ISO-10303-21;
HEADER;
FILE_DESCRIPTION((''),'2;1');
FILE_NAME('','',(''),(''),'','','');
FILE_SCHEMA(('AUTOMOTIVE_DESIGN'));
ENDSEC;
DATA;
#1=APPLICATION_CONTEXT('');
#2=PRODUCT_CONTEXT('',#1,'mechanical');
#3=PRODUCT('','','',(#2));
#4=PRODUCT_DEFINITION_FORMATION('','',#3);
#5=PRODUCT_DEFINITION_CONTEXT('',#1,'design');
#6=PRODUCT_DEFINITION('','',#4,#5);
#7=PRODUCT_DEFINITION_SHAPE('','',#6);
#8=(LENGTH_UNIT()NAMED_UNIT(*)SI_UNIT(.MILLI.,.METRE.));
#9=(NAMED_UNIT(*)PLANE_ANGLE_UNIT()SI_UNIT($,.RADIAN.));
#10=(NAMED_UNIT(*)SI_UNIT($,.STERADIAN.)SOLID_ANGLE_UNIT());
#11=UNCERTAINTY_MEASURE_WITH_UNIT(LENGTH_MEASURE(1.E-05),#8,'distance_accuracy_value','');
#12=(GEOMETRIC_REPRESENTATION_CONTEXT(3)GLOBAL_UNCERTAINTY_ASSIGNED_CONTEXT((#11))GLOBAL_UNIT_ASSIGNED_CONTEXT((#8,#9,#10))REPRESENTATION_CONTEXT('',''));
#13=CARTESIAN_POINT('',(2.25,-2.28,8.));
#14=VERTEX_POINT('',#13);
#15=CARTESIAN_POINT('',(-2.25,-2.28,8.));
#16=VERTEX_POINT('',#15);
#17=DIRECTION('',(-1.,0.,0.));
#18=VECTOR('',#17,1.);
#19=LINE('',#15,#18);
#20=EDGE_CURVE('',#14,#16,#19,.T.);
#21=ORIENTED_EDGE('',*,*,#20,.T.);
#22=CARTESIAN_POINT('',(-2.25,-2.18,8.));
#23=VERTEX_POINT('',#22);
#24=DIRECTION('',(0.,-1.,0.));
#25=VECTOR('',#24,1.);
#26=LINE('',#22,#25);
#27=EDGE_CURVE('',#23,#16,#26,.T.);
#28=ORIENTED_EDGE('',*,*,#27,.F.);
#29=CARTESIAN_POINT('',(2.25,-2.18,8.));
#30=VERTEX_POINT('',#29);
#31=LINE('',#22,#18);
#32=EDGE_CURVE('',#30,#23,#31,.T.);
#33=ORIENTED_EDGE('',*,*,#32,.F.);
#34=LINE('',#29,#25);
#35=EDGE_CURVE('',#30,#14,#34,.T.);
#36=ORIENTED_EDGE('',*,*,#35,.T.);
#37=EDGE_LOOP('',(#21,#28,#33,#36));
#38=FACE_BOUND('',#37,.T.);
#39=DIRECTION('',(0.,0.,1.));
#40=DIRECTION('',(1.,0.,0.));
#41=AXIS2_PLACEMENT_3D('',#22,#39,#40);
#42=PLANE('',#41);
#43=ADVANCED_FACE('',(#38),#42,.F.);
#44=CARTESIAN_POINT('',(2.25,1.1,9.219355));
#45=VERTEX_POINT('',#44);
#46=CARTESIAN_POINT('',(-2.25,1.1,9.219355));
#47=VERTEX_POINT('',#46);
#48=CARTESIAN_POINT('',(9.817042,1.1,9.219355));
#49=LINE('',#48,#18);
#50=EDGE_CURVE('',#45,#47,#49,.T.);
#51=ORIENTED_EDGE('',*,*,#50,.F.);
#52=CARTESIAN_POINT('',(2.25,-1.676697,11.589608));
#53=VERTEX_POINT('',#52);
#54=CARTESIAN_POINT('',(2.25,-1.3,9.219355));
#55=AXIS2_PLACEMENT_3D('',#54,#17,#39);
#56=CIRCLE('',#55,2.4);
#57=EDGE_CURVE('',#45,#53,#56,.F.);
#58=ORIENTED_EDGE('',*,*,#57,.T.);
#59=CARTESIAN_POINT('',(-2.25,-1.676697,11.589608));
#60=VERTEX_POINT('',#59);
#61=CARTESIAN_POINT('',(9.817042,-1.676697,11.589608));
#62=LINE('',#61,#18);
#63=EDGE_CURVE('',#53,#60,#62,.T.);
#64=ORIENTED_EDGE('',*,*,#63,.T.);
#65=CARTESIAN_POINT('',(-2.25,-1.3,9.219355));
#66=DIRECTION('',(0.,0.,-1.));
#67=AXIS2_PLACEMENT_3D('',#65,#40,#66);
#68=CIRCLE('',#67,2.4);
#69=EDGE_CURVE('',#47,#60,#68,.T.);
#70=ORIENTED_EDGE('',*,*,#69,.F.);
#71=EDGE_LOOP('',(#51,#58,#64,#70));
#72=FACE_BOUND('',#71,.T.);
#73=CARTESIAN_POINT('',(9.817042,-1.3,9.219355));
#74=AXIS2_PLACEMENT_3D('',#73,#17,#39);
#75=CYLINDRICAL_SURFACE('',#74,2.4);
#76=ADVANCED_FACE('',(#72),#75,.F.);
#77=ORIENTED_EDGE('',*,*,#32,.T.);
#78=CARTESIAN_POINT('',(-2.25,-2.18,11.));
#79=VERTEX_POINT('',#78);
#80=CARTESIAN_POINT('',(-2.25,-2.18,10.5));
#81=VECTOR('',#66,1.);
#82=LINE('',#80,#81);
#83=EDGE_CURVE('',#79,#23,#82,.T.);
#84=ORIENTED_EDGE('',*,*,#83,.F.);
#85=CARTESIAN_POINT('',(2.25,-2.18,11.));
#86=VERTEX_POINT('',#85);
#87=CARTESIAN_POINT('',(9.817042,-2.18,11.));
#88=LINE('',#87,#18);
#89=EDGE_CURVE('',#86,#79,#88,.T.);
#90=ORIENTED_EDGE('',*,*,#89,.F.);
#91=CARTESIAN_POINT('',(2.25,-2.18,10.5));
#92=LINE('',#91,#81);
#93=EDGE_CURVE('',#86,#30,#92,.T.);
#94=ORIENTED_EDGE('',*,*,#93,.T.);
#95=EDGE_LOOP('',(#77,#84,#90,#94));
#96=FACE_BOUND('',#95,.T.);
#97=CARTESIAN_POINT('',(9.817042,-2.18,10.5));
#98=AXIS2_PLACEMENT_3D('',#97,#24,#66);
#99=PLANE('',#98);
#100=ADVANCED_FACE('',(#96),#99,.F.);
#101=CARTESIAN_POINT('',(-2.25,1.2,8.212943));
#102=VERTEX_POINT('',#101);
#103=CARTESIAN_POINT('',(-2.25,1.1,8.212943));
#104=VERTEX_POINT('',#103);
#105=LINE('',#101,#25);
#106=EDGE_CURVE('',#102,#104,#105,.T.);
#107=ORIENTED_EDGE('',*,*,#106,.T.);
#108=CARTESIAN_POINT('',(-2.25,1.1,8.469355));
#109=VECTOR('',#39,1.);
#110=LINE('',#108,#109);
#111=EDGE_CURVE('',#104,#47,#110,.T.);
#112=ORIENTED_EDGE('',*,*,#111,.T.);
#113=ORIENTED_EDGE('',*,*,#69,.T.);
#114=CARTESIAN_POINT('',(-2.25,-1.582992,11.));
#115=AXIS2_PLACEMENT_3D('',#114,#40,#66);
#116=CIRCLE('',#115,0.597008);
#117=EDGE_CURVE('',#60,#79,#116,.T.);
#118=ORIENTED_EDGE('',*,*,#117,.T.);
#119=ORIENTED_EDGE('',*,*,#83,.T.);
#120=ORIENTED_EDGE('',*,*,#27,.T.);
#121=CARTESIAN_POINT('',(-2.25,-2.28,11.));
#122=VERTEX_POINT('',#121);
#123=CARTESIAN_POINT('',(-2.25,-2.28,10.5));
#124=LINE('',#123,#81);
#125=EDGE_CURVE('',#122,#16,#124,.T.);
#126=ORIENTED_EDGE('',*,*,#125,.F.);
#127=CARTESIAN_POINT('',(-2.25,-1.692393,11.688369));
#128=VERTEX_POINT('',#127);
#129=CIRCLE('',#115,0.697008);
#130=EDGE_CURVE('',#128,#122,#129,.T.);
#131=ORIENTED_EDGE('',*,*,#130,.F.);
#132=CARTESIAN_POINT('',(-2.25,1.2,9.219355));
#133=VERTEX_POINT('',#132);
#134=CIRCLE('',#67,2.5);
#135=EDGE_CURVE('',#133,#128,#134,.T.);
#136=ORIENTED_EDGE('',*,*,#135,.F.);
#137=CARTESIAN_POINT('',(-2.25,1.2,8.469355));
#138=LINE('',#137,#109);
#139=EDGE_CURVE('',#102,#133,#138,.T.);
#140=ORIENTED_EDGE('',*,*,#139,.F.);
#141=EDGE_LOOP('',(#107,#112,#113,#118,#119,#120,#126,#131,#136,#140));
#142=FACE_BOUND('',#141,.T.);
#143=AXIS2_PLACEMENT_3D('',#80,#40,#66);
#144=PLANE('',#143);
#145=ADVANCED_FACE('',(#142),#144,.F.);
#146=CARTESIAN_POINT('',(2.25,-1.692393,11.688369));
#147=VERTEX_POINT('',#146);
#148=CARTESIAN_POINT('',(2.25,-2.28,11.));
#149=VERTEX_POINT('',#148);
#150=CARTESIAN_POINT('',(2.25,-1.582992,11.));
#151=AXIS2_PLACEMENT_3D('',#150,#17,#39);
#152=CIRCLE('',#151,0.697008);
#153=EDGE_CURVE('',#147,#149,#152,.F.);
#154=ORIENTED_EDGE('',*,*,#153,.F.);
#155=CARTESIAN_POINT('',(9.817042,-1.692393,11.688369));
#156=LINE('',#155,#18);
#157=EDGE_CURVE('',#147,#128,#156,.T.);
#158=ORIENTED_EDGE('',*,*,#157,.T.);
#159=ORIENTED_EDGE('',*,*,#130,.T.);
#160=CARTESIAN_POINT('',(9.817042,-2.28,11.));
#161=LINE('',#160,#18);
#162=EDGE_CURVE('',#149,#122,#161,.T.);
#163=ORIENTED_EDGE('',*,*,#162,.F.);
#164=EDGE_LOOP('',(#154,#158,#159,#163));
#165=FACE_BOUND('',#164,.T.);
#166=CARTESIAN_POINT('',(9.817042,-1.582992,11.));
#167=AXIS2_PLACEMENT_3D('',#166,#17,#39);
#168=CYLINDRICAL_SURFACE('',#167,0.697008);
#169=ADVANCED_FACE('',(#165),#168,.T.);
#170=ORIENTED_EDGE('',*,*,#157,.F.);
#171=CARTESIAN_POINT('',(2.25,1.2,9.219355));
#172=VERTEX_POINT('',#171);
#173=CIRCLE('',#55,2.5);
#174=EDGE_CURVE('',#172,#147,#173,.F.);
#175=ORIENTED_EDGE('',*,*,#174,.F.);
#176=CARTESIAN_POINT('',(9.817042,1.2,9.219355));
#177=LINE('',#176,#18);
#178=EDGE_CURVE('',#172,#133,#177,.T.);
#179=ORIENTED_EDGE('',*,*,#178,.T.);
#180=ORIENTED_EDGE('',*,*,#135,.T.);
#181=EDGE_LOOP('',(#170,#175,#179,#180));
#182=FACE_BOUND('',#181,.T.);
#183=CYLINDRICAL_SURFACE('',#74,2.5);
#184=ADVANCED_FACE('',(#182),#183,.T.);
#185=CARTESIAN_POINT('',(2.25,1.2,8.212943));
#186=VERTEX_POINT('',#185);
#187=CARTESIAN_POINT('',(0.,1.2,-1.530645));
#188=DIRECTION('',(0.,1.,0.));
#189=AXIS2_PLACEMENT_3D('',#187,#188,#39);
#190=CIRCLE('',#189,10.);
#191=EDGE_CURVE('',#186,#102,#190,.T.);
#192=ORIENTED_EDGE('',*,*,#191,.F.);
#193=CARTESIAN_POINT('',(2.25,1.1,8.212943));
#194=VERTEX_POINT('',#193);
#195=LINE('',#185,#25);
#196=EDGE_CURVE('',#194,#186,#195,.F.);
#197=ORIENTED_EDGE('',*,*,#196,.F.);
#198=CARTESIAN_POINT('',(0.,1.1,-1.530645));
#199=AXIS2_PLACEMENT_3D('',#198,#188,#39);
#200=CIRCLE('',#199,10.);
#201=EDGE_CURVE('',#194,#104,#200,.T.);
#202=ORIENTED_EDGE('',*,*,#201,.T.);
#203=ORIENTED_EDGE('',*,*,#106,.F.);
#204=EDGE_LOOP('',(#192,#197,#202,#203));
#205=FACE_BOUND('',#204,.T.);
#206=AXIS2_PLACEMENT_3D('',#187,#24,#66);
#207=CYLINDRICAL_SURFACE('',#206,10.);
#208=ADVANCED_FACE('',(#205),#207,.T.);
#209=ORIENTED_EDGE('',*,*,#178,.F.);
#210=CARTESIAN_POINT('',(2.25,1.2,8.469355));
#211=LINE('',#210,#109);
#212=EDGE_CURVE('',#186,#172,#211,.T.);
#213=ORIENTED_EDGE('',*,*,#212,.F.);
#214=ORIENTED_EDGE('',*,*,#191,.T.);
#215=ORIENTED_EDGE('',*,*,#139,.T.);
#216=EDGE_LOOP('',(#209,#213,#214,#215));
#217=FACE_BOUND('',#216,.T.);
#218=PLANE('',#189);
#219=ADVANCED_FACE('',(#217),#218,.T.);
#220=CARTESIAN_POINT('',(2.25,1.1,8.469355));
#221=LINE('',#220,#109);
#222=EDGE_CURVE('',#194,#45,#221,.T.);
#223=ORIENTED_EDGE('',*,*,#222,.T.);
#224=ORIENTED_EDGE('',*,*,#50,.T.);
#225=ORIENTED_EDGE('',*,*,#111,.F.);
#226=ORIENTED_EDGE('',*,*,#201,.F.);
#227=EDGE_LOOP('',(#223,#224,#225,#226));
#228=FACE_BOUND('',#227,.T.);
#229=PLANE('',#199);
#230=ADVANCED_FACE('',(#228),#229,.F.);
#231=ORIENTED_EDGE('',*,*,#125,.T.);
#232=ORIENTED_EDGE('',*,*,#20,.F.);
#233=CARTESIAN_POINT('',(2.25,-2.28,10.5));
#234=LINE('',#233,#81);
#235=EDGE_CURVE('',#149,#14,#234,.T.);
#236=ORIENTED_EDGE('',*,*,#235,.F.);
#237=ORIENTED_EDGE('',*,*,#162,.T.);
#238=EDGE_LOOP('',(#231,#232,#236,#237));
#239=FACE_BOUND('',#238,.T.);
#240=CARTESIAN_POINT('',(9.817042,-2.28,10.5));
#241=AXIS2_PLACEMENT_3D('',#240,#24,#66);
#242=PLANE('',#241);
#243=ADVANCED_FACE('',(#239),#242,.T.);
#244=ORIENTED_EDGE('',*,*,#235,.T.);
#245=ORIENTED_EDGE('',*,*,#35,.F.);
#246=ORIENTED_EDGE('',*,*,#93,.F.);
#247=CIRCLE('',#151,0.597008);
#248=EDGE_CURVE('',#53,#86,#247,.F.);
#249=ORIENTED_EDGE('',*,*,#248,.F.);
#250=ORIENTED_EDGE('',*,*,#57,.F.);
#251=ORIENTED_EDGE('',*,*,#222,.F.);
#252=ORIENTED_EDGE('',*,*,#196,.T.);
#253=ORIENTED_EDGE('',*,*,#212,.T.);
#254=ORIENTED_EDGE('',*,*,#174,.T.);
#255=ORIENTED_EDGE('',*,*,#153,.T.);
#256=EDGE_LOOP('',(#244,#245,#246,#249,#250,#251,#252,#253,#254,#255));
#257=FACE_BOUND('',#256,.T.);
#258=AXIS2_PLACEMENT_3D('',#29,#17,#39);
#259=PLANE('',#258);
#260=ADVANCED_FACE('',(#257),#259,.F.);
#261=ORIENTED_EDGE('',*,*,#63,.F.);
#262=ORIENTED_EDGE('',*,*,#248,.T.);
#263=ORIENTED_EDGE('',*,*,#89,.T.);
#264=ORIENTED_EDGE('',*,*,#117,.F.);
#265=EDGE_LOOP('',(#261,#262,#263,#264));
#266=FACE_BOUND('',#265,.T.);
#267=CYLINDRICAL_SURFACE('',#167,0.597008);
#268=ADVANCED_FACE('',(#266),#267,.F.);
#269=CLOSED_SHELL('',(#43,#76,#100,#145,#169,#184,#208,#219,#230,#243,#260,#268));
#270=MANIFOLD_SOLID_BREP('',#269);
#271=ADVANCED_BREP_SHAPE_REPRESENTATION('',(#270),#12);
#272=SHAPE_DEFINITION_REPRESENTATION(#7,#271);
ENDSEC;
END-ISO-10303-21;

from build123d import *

# Parameters (mm, degrees)
SKETCH1_R                       = 10
BOSS_EXTRUDE1_DEPTH             = 0.1
BOSS_EXTRUDE2_START             = -2.28
SKETCH3_W                       = 4.5
SKETCH3_H                       = 2.5
BOSS_EXTRUDE2_DEPTH             = 0.1
EXTRUDE_THIN1_REACH             = 17.432
EXTRUDE_THIN1_DIRECTION_2_REACH = 17.432


with BuildPart() as part:
    # Sketch1 → Boss-Extrude1 (new body)
    with BuildSketch(Plane(origin=(0, 1.1, 0), x_dir=(1, 0, 0), z_dir=(0, 1, 0))):
        with Locations(Location((0, 1.53064501, 0), (0, 0, 270))):
            Circle(SKETCH1_R)
    extrude(amount=BOSS_EXTRUDE1_DEPTH)


with BuildPart() as body_2:
    # Sketch3 → Boss-Extrude2 (new body)
    with BuildSketch(Plane(origin=(0, 0, 0), x_dir=(1, 0, 0), z_dir=(0, 1, 0)).offset(BOSS_EXTRUDE2_START)):
        with Locations((0, -9.25)):
            Rectangle(SKETCH3_W, SKETCH3_H)
    extrude(amount=BOSS_EXTRUDE2_DEPTH)

    # Extrude-Thin1: up to this face of the body (flat: up to its plane)
    extrude_thin1_end = Plane(body_2.part.faces().sort_by_distance((2.25, -2.23, 9.25))[0])
    # Sketch4 → Extrude-Thin1 (add, up to the picked face)
    with BuildSketch(Plane(origin=(0, 0, 0), x_dir=(0, 0, -1), z_dir=(1, 0, 0)), mode=Mode.PRIVATE) as extrude_thin1_sk1:
        with BuildLine():
            Line((-9.5, -2.28), (-10.5, -2.28))
            Line((-10.5, -2.28), (-11, -2.28))
            ThreePointArc((-11, -2.28), (-11.452530048, -2.113120853), (-11.688368572, -1.692392575))
            ThreePointArc((-11.688368572, -1.692392575), (-11.120799367, 0.32311715), (-9.21935499, 1.2))
            Line((-9.21935499, 1.2), (-8.46935499, 1.2))
            Line((-8.46935499, 1.2), (-5, 1.2))
            Line((-5, 1.2), (-5, 1.1))
            Line((-5, 1.1), (-8.46935499, 1.1))
            Line((-8.46935499, 1.1), (-9.21935499, 1.1))
            ThreePointArc((-9.21935499, 1.1), (-11.044741592, 0.258192464), (-11.589608029, -1.676696872))
            ThreePointArc((-11.589608029, -1.676696872), (-11.387605362, -2.037063078), (-11, -2.18))
            Line((-11, -2.18), (-10.5, -2.18))
            Line((-10.5, -2.18), (-9.5, -2.18))
            Line((-9.5, -2.18), (-9.5, -2.28))
        make_face()
    extrude_thin1_tool1 = split(extrude(extrude_thin1_sk1.sketch, amount=EXTRUDE_THIN1_REACH, mode=Mode.PRIVATE), bisect_by=extrude_thin1_end, keep=Keep.BOTH, mode=Mode.PRIVATE)

    add(part.part)  # Extrude-Thin1 merges part
    add(extrude_thin1_tool1.solids().sort_by(Axis((0, -2.25567, 10.75), (1, 0, 0)))[0])

    # Extrude-Thin1 direction 2: up to this face of the body (flat: up to its plane)
    extrude_thin1_direction_2_end = Plane(body_2.part.faces().sort_by_distance((-2.25, -2.23, 9.25))[0])
    # Sketch4 → Extrude-Thin1 direction 2 (add, up to the picked face)
    with BuildSketch(Plane(origin=(0, 0, 0), x_dir=(0, 0, -1), z_dir=(1, 0, 0)), mode=Mode.PRIVATE) as extrude_thin1_direction_2_sk1:
        with BuildLine():
            Line((-9.5, -2.28), (-10.5, -2.28))
            Line((-10.5, -2.28), (-11, -2.28))
            ThreePointArc((-11, -2.28), (-11.452530048, -2.113120853), (-11.688368572, -1.692392575))
            ThreePointArc((-11.688368572, -1.692392575), (-11.120799367, 0.32311715), (-9.21935499, 1.2))
            Line((-9.21935499, 1.2), (-8.46935499, 1.2))
            Line((-8.46935499, 1.2), (-5, 1.2))
            Line((-5, 1.2), (-5, 1.1))
            Line((-5, 1.1), (-8.46935499, 1.1))
            Line((-8.46935499, 1.1), (-9.21935499, 1.1))
            ThreePointArc((-9.21935499, 1.1), (-11.044741592, 0.258192464), (-11.589608029, -1.676696872))
            ThreePointArc((-11.589608029, -1.676696872), (-11.387605362, -2.037063078), (-11, -2.18))
            Line((-11, -2.18), (-10.5, -2.18))
            Line((-10.5, -2.18), (-9.5, -2.18))
            Line((-9.5, -2.18), (-9.5, -2.28))
        make_face()
    extrude_thin1_direction_2_tool1 = split(extrude(extrude_thin1_direction_2_sk1.sketch, amount=-EXTRUDE_THIN1_DIRECTION_2_REACH, mode=Mode.PRIVATE), bisect_by=extrude_thin1_direction_2_end, keep=Keep.BOTH, mode=Mode.PRIVATE)
    add(extrude_thin1_direction_2_tool1.solids().sort_by(Axis((0, -2.25567, 10.75), (-1, 0, 0)))[0])


solid = body_2.part
